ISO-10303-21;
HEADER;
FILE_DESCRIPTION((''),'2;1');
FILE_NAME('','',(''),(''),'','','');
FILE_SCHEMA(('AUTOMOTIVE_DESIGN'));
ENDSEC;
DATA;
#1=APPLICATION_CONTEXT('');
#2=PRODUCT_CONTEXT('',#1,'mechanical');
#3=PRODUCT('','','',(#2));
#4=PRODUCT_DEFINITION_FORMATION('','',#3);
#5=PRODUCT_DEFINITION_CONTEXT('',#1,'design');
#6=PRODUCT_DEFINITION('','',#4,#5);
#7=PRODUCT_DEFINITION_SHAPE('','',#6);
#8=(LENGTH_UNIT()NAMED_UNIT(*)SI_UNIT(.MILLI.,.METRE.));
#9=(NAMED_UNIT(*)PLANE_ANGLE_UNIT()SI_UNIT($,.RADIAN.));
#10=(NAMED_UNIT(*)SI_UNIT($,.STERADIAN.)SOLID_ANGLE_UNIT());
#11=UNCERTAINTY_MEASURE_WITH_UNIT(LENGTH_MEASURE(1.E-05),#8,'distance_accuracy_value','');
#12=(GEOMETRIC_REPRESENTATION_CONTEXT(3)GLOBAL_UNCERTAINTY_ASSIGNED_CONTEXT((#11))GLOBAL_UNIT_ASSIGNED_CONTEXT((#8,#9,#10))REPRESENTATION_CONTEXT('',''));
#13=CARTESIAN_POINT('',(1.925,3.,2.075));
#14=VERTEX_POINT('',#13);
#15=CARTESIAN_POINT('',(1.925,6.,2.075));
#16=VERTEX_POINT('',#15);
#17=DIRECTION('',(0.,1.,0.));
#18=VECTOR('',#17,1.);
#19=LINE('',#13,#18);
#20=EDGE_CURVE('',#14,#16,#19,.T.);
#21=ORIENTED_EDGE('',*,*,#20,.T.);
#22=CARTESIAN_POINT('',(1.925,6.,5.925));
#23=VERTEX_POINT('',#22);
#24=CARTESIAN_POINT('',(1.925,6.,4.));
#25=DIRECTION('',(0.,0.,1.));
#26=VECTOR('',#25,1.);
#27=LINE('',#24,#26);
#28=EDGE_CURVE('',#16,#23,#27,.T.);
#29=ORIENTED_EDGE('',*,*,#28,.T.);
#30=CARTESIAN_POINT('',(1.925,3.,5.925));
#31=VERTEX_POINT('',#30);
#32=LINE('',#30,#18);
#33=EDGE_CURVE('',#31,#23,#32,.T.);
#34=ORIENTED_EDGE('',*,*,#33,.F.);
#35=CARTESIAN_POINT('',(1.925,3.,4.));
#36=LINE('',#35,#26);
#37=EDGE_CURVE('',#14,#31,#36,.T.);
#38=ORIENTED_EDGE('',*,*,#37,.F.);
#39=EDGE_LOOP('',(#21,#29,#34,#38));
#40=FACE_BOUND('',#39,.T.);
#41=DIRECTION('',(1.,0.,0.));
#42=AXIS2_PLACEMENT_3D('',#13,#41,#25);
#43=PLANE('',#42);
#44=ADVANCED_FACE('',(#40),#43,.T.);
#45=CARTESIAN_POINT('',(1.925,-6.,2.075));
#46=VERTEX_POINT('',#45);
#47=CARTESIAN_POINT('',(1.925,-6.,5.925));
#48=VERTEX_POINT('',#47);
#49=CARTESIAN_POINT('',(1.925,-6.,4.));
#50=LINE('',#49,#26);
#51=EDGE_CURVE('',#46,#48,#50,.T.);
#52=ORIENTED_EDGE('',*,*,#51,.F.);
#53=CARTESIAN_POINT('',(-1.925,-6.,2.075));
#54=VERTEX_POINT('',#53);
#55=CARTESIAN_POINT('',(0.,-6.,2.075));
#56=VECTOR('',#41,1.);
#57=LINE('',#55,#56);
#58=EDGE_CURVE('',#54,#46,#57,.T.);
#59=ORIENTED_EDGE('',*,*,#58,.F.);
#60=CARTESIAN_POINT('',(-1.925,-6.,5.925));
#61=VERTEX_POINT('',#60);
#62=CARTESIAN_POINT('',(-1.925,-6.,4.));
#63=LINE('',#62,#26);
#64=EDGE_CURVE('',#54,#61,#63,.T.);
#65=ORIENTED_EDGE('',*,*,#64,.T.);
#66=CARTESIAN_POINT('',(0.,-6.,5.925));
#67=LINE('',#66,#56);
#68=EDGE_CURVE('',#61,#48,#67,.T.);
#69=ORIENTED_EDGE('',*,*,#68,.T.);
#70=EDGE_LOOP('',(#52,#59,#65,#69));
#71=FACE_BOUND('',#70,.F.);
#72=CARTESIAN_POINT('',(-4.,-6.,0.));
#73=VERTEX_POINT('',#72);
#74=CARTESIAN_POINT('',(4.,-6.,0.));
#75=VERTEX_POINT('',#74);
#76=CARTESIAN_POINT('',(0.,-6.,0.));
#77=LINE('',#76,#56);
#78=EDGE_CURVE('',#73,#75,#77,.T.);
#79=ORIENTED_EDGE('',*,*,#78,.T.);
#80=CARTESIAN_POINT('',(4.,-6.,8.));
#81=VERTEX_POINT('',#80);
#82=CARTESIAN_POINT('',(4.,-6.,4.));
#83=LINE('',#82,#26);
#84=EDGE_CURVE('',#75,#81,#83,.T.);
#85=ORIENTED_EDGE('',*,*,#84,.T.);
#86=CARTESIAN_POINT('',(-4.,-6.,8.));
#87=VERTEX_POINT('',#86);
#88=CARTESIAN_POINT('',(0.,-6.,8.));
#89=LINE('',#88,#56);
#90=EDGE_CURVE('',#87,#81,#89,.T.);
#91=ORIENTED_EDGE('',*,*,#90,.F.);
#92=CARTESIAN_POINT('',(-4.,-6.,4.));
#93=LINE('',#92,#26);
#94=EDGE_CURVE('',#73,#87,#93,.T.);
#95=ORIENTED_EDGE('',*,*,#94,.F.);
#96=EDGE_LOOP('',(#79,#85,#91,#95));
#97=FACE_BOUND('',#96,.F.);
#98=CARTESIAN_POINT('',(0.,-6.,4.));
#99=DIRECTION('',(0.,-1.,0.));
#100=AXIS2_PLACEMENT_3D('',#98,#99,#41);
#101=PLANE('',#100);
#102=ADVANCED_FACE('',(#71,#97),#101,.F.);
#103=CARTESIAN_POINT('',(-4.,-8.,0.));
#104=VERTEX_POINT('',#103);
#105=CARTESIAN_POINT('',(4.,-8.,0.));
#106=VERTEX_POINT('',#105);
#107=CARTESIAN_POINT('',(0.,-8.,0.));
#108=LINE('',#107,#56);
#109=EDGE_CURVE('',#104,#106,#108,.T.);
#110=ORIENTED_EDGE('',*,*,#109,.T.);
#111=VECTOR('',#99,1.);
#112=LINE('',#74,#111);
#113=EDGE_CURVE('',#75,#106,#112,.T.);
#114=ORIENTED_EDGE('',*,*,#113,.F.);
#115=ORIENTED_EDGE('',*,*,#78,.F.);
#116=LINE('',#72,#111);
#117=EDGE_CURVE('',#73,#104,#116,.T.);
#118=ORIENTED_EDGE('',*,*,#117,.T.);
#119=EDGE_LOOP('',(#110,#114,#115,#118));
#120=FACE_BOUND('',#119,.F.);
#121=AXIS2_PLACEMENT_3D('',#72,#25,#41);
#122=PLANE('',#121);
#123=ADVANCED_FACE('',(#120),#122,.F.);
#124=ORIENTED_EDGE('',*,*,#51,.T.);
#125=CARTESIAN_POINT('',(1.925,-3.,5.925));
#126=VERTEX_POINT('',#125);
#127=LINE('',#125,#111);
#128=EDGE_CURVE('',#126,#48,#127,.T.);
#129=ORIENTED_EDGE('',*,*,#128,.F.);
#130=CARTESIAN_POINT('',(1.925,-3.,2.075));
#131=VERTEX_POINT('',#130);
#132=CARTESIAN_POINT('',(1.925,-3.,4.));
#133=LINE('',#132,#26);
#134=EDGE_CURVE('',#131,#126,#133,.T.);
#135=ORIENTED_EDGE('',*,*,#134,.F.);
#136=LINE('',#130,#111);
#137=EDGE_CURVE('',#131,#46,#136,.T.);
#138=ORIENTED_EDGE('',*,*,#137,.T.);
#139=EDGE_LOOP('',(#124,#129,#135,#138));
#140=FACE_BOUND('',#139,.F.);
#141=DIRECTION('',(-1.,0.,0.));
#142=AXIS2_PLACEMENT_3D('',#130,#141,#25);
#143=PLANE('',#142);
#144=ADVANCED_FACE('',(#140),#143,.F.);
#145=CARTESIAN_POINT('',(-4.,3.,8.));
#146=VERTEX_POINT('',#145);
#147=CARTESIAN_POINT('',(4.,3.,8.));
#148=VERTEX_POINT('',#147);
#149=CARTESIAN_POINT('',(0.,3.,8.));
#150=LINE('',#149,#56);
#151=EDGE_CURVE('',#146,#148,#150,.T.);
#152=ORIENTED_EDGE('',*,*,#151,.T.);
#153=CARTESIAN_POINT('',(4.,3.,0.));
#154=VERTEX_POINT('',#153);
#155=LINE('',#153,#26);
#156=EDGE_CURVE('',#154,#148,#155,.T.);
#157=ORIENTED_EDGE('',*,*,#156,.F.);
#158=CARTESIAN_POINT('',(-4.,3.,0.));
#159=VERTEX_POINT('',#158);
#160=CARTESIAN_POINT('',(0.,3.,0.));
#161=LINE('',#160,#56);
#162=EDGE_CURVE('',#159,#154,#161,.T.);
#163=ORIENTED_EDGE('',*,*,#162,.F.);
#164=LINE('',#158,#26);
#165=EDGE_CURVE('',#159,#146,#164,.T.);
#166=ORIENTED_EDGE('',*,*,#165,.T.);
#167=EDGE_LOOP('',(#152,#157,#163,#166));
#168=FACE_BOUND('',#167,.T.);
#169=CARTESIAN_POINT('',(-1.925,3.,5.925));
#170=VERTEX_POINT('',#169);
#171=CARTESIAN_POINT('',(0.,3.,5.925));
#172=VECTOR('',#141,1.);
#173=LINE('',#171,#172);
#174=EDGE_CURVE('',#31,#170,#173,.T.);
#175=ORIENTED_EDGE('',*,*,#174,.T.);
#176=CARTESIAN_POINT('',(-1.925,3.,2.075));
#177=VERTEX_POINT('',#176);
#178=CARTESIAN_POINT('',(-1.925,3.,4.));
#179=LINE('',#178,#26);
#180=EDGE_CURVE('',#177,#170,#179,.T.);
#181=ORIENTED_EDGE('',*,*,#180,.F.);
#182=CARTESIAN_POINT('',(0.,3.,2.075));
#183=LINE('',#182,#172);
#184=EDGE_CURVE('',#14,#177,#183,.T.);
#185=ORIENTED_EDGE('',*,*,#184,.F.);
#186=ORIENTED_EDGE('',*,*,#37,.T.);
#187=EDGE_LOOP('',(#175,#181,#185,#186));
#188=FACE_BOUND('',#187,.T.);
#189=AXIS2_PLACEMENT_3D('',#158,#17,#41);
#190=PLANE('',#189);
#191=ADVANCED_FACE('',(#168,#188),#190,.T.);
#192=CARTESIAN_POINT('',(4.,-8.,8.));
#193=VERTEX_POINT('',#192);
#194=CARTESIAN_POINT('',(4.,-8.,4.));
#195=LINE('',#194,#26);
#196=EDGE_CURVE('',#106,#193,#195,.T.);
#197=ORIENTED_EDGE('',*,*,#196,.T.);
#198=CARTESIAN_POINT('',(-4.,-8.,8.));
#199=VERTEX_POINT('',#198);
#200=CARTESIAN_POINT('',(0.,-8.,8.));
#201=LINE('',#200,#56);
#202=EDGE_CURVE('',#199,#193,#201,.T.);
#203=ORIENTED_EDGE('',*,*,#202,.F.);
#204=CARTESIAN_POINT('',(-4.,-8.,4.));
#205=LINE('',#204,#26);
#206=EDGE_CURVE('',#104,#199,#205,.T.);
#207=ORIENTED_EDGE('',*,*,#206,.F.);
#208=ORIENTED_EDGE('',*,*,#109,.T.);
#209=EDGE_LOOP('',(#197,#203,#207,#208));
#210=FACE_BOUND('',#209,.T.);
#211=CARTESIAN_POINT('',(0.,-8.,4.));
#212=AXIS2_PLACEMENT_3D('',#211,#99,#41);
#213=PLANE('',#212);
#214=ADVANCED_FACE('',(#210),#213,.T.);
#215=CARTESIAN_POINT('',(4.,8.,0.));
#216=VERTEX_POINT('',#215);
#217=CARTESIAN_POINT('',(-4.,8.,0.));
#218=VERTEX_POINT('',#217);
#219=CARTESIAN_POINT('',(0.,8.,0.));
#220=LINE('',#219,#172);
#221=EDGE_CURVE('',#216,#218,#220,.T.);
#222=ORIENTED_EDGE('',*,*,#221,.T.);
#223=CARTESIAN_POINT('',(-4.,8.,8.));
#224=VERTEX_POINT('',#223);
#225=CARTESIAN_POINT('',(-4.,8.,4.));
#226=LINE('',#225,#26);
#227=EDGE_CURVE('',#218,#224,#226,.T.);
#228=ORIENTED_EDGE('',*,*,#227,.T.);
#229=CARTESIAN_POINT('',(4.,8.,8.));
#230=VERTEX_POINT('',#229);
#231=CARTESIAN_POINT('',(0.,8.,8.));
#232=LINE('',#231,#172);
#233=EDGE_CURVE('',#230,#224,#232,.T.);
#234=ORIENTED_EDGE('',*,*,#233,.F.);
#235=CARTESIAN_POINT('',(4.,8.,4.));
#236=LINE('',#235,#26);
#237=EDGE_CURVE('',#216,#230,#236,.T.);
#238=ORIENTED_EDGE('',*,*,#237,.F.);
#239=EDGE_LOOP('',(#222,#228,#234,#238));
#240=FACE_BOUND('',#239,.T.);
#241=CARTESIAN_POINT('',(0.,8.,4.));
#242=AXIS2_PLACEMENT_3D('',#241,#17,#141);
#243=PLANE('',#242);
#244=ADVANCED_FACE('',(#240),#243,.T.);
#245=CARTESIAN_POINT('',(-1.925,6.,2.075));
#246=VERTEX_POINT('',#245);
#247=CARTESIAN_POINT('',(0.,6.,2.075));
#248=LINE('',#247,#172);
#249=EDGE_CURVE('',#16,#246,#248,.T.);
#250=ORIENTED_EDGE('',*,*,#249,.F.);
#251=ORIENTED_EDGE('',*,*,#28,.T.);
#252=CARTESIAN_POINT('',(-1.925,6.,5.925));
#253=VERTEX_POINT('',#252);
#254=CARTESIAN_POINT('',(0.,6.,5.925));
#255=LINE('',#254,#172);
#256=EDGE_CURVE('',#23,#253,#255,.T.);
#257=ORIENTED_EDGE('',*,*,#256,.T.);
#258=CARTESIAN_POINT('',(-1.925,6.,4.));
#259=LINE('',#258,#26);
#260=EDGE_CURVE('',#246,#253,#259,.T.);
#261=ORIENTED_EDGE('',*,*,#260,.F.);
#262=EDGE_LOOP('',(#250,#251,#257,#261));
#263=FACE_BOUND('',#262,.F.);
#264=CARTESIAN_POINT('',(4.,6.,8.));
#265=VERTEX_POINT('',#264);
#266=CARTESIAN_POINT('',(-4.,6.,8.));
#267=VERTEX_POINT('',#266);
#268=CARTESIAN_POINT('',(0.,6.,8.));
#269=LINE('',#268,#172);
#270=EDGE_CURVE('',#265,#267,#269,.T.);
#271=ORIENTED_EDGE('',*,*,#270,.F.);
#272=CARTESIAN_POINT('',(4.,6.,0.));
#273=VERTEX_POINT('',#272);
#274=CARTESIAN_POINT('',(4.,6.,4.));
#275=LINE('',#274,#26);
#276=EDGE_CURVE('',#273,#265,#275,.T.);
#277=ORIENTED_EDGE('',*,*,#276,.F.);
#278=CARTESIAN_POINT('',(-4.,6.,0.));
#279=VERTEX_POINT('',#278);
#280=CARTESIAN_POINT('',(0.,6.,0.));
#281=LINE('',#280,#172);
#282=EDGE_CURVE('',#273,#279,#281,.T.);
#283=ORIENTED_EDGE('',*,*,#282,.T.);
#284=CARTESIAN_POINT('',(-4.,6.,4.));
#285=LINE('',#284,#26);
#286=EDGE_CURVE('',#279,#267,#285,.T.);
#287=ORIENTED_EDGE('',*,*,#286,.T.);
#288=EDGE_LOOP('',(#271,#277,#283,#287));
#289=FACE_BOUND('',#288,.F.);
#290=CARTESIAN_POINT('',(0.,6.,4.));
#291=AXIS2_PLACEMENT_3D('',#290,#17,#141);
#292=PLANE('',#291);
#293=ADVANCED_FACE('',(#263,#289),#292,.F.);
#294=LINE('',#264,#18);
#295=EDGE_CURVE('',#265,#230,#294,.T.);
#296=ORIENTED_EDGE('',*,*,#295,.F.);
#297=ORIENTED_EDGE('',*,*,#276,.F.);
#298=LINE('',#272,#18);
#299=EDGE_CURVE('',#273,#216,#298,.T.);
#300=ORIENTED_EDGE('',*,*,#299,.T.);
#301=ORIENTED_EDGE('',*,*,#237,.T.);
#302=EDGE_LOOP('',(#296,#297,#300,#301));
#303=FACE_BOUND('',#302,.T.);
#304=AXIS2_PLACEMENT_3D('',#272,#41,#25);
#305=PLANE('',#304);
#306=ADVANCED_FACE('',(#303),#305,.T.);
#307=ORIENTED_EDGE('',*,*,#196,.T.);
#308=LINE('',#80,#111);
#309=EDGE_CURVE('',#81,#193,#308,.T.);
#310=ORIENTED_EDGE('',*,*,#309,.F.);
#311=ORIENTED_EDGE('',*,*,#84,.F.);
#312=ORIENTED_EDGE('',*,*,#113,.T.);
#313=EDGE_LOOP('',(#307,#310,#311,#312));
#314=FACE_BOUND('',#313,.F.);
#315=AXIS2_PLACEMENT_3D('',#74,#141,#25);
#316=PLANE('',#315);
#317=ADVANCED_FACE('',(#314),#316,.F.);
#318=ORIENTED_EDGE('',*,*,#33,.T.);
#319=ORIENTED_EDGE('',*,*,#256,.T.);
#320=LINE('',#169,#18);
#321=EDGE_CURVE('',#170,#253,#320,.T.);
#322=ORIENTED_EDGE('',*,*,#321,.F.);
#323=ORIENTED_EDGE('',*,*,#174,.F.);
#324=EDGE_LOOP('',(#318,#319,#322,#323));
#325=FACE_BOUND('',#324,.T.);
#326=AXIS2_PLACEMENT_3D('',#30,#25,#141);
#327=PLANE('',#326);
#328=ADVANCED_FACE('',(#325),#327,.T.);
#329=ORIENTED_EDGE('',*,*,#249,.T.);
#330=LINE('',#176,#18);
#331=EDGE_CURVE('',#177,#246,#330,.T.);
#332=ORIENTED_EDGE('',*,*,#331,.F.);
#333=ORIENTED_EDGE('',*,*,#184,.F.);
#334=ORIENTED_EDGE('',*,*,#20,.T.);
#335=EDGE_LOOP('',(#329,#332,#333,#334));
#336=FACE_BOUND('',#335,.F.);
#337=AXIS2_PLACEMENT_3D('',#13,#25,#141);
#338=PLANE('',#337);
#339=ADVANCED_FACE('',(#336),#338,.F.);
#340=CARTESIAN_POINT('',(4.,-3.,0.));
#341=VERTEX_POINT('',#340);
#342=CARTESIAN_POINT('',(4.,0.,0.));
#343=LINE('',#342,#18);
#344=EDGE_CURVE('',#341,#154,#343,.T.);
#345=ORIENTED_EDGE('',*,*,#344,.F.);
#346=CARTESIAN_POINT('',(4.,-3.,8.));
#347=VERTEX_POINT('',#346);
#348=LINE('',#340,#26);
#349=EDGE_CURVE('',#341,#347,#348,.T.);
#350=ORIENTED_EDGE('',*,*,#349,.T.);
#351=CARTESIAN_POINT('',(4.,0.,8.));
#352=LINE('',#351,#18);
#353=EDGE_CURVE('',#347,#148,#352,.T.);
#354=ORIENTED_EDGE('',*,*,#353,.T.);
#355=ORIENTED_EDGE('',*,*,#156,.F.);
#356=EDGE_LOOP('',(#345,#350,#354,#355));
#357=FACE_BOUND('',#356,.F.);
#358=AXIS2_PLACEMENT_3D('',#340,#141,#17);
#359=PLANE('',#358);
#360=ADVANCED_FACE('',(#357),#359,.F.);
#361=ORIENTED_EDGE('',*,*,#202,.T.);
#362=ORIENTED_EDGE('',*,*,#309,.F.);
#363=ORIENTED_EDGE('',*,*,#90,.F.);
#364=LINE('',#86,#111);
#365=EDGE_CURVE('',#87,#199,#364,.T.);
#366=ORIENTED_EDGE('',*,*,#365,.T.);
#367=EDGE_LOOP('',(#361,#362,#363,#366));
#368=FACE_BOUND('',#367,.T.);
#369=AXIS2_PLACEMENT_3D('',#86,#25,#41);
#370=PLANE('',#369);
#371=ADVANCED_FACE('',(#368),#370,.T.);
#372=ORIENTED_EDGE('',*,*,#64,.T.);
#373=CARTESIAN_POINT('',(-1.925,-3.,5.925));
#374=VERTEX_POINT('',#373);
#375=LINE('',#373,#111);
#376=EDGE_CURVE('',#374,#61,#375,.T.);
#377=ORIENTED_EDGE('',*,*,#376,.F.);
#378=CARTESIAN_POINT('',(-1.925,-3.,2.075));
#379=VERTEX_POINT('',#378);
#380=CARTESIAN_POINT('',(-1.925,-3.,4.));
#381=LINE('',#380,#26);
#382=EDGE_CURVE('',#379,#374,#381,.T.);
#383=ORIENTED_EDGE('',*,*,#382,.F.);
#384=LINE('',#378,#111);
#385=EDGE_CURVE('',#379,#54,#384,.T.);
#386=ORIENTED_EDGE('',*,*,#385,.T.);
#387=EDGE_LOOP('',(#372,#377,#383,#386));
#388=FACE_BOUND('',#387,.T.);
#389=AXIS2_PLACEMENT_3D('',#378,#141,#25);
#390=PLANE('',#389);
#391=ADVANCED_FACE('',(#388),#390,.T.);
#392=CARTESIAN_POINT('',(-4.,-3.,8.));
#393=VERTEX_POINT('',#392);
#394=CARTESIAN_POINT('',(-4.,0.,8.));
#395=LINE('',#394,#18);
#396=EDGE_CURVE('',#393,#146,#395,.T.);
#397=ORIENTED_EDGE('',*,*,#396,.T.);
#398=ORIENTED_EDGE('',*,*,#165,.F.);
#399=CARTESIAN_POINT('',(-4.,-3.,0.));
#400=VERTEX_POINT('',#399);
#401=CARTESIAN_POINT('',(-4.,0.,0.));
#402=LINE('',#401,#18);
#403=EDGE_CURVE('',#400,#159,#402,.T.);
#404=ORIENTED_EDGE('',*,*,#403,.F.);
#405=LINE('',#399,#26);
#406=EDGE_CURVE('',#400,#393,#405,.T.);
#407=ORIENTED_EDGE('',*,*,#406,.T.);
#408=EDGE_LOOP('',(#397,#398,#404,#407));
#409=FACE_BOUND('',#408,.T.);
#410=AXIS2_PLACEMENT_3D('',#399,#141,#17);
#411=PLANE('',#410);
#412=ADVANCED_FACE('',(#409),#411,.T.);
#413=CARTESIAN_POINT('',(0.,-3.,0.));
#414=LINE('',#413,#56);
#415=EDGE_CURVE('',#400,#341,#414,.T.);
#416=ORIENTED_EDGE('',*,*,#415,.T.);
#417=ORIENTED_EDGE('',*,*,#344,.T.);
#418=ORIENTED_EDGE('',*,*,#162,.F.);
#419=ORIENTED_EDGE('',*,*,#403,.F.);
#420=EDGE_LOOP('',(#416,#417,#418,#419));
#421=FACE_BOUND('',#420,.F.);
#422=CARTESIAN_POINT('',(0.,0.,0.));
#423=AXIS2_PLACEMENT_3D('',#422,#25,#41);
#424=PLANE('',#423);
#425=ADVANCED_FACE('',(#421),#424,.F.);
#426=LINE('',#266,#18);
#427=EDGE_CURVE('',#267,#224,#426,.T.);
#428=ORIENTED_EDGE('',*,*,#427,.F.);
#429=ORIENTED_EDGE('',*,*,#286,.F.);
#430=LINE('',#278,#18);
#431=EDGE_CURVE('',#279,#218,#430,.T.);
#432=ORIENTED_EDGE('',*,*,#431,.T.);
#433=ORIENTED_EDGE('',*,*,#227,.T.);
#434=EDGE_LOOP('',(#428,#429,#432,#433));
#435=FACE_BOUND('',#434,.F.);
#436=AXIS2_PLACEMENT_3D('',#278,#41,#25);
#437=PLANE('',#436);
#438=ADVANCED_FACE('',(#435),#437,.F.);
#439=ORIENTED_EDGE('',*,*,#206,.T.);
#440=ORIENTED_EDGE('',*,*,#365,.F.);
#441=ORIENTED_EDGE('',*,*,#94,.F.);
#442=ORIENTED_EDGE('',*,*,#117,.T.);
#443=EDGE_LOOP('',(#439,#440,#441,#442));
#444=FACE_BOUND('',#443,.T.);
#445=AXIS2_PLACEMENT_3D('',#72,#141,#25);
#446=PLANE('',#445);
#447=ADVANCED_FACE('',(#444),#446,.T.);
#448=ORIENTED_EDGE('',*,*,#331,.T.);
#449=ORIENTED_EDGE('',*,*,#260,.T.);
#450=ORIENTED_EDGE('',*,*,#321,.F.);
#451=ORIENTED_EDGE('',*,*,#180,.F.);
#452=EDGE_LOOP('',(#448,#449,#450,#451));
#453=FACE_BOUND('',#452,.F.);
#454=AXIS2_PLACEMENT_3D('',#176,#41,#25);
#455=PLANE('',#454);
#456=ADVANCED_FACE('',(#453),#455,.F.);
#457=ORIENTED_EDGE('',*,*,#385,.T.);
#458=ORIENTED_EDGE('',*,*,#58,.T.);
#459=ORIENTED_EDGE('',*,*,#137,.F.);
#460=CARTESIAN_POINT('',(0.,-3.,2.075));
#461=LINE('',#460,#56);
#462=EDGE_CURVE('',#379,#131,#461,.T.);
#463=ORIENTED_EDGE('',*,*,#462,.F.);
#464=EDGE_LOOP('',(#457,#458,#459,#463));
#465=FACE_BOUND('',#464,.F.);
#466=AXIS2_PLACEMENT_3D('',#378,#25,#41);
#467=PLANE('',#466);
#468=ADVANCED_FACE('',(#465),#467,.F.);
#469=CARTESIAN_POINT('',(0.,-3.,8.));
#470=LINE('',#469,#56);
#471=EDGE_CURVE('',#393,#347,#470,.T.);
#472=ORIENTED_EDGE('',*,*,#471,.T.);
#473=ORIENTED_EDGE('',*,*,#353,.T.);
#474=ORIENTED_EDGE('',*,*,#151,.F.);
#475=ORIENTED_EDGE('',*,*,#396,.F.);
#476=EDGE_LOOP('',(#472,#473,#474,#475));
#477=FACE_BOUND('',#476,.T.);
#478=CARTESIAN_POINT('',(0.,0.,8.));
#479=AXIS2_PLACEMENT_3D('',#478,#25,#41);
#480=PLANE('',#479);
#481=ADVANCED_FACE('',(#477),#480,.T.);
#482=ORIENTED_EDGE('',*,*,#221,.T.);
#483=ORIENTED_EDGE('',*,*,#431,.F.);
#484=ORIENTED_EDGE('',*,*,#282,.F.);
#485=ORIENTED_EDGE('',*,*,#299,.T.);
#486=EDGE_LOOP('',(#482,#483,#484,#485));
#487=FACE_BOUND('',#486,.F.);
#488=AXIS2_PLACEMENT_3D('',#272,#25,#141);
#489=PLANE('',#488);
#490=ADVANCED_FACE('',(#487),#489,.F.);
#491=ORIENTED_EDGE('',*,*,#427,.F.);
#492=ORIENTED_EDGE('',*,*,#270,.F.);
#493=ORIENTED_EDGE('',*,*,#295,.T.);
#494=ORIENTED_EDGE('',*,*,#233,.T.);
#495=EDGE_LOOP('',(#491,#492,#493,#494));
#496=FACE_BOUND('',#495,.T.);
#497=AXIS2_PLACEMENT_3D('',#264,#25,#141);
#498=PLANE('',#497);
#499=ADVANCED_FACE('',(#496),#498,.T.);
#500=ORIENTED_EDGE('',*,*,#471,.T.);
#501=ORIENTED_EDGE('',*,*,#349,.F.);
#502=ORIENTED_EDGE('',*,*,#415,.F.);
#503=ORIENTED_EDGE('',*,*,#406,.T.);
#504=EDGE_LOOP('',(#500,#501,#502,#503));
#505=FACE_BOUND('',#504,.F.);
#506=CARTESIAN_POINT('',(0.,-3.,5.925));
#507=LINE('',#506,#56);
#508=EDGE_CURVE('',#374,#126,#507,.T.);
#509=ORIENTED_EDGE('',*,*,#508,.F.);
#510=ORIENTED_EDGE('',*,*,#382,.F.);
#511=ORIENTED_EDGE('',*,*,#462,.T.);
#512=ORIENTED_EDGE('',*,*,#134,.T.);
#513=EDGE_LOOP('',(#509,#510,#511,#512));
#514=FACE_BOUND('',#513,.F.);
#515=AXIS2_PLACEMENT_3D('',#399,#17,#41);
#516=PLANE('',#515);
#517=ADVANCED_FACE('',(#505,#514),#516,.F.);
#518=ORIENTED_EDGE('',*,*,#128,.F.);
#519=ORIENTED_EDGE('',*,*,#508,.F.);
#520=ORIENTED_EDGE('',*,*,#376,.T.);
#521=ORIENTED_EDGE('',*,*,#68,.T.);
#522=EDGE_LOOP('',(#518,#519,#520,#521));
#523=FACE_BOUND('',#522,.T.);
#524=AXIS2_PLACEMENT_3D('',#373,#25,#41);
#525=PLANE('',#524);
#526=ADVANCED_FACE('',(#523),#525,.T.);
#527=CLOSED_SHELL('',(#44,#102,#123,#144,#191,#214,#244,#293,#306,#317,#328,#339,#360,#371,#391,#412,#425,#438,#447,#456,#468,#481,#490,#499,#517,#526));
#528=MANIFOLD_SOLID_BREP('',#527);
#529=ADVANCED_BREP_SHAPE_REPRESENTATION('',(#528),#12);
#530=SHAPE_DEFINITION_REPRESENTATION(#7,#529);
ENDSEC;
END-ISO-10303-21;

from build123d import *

# Parameters (mm, degrees)
F0_W      = 8
F0_H      = 6
F1_DEPTH  = 8
F2_W      = 3.85
F2_H      = 3.85
F3_DEPTH  = 3
F4_W      = 8
F4_H      = 8
F4_W_2    = 3.85
F4_H_2    = 3.85
F5_DEPTH  = 2
F7_W      = 3.85
F7_H      = 3.85
F8_DEPTH  = 3
F9_W      = 8
F9_H      = 8
F9_W_2    = 3.85
F9_H_2    = 3.85
F10_DEPTH = 2.35
F11_DEPTH = 0.35


with BuildPart() as f1:
    # F0 (on Top) → F1 (new body)
    with BuildSketch(Plane.XY):
        Rectangle(F0_W, F0_H)
    extrude(amount=F1_DEPTH)

    # F2 (on face) → F3 (join)
    with BuildSketch(Plane.XZ.offset(3)):
        with Locations((0, 4)):
            Rectangle(F2_W, F2_H)
    extrude(amount=F3_DEPTH)

    # F4 (on face) → F5 (join)
    with BuildSketch(Plane.XZ.offset(6)):
        with Locations((0, 4)):
            Rectangle(F4_W, F4_H)
        with Locations((0, 4)):
            Rectangle(F4_W_2, F4_H_2, mode=Mode.SUBTRACT)
        with Locations((0, 4)):
            Rectangle(F4_W_2, F4_H_2)
    extrude(amount=F5_DEPTH)

    # F7 (on face) → F8 (join)
    with BuildSketch(Plane(origin=(0, 3, 0), x_dir=(-1, 0, 0), z_dir=(0, 1, 0))):
        with Locations((0, 4)):
            Rectangle(F7_W, F7_H)
    extrude(amount=F8_DEPTH)

    # F9 (on face) → F10 (join)
    with BuildSketch(Plane(origin=(0, 6, 0), x_dir=(-1, 0, 0), z_dir=(0, 1, 0))):
        with Locations((0, 4)):
            Rectangle(F9_W, F9_H)
        with Locations((0, 4)):
            Rectangle(F9_W_2, F9_H_2, mode=Mode.SUBTRACT)
        with Locations((0, 4)):
            Rectangle(F9_W_2, F9_H_2)
    extrude(amount=F10_DEPTH)

    # F11 (cut): a face of the model
    f11_faces = [f1.faces().sort_by_distance(p)[0] for p in [
        (0, 8.35, 4),
    ]]
    extrude(f11_faces, amount=-F11_DEPTH, mode=Mode.SUBTRACT)


solid = f1.part
